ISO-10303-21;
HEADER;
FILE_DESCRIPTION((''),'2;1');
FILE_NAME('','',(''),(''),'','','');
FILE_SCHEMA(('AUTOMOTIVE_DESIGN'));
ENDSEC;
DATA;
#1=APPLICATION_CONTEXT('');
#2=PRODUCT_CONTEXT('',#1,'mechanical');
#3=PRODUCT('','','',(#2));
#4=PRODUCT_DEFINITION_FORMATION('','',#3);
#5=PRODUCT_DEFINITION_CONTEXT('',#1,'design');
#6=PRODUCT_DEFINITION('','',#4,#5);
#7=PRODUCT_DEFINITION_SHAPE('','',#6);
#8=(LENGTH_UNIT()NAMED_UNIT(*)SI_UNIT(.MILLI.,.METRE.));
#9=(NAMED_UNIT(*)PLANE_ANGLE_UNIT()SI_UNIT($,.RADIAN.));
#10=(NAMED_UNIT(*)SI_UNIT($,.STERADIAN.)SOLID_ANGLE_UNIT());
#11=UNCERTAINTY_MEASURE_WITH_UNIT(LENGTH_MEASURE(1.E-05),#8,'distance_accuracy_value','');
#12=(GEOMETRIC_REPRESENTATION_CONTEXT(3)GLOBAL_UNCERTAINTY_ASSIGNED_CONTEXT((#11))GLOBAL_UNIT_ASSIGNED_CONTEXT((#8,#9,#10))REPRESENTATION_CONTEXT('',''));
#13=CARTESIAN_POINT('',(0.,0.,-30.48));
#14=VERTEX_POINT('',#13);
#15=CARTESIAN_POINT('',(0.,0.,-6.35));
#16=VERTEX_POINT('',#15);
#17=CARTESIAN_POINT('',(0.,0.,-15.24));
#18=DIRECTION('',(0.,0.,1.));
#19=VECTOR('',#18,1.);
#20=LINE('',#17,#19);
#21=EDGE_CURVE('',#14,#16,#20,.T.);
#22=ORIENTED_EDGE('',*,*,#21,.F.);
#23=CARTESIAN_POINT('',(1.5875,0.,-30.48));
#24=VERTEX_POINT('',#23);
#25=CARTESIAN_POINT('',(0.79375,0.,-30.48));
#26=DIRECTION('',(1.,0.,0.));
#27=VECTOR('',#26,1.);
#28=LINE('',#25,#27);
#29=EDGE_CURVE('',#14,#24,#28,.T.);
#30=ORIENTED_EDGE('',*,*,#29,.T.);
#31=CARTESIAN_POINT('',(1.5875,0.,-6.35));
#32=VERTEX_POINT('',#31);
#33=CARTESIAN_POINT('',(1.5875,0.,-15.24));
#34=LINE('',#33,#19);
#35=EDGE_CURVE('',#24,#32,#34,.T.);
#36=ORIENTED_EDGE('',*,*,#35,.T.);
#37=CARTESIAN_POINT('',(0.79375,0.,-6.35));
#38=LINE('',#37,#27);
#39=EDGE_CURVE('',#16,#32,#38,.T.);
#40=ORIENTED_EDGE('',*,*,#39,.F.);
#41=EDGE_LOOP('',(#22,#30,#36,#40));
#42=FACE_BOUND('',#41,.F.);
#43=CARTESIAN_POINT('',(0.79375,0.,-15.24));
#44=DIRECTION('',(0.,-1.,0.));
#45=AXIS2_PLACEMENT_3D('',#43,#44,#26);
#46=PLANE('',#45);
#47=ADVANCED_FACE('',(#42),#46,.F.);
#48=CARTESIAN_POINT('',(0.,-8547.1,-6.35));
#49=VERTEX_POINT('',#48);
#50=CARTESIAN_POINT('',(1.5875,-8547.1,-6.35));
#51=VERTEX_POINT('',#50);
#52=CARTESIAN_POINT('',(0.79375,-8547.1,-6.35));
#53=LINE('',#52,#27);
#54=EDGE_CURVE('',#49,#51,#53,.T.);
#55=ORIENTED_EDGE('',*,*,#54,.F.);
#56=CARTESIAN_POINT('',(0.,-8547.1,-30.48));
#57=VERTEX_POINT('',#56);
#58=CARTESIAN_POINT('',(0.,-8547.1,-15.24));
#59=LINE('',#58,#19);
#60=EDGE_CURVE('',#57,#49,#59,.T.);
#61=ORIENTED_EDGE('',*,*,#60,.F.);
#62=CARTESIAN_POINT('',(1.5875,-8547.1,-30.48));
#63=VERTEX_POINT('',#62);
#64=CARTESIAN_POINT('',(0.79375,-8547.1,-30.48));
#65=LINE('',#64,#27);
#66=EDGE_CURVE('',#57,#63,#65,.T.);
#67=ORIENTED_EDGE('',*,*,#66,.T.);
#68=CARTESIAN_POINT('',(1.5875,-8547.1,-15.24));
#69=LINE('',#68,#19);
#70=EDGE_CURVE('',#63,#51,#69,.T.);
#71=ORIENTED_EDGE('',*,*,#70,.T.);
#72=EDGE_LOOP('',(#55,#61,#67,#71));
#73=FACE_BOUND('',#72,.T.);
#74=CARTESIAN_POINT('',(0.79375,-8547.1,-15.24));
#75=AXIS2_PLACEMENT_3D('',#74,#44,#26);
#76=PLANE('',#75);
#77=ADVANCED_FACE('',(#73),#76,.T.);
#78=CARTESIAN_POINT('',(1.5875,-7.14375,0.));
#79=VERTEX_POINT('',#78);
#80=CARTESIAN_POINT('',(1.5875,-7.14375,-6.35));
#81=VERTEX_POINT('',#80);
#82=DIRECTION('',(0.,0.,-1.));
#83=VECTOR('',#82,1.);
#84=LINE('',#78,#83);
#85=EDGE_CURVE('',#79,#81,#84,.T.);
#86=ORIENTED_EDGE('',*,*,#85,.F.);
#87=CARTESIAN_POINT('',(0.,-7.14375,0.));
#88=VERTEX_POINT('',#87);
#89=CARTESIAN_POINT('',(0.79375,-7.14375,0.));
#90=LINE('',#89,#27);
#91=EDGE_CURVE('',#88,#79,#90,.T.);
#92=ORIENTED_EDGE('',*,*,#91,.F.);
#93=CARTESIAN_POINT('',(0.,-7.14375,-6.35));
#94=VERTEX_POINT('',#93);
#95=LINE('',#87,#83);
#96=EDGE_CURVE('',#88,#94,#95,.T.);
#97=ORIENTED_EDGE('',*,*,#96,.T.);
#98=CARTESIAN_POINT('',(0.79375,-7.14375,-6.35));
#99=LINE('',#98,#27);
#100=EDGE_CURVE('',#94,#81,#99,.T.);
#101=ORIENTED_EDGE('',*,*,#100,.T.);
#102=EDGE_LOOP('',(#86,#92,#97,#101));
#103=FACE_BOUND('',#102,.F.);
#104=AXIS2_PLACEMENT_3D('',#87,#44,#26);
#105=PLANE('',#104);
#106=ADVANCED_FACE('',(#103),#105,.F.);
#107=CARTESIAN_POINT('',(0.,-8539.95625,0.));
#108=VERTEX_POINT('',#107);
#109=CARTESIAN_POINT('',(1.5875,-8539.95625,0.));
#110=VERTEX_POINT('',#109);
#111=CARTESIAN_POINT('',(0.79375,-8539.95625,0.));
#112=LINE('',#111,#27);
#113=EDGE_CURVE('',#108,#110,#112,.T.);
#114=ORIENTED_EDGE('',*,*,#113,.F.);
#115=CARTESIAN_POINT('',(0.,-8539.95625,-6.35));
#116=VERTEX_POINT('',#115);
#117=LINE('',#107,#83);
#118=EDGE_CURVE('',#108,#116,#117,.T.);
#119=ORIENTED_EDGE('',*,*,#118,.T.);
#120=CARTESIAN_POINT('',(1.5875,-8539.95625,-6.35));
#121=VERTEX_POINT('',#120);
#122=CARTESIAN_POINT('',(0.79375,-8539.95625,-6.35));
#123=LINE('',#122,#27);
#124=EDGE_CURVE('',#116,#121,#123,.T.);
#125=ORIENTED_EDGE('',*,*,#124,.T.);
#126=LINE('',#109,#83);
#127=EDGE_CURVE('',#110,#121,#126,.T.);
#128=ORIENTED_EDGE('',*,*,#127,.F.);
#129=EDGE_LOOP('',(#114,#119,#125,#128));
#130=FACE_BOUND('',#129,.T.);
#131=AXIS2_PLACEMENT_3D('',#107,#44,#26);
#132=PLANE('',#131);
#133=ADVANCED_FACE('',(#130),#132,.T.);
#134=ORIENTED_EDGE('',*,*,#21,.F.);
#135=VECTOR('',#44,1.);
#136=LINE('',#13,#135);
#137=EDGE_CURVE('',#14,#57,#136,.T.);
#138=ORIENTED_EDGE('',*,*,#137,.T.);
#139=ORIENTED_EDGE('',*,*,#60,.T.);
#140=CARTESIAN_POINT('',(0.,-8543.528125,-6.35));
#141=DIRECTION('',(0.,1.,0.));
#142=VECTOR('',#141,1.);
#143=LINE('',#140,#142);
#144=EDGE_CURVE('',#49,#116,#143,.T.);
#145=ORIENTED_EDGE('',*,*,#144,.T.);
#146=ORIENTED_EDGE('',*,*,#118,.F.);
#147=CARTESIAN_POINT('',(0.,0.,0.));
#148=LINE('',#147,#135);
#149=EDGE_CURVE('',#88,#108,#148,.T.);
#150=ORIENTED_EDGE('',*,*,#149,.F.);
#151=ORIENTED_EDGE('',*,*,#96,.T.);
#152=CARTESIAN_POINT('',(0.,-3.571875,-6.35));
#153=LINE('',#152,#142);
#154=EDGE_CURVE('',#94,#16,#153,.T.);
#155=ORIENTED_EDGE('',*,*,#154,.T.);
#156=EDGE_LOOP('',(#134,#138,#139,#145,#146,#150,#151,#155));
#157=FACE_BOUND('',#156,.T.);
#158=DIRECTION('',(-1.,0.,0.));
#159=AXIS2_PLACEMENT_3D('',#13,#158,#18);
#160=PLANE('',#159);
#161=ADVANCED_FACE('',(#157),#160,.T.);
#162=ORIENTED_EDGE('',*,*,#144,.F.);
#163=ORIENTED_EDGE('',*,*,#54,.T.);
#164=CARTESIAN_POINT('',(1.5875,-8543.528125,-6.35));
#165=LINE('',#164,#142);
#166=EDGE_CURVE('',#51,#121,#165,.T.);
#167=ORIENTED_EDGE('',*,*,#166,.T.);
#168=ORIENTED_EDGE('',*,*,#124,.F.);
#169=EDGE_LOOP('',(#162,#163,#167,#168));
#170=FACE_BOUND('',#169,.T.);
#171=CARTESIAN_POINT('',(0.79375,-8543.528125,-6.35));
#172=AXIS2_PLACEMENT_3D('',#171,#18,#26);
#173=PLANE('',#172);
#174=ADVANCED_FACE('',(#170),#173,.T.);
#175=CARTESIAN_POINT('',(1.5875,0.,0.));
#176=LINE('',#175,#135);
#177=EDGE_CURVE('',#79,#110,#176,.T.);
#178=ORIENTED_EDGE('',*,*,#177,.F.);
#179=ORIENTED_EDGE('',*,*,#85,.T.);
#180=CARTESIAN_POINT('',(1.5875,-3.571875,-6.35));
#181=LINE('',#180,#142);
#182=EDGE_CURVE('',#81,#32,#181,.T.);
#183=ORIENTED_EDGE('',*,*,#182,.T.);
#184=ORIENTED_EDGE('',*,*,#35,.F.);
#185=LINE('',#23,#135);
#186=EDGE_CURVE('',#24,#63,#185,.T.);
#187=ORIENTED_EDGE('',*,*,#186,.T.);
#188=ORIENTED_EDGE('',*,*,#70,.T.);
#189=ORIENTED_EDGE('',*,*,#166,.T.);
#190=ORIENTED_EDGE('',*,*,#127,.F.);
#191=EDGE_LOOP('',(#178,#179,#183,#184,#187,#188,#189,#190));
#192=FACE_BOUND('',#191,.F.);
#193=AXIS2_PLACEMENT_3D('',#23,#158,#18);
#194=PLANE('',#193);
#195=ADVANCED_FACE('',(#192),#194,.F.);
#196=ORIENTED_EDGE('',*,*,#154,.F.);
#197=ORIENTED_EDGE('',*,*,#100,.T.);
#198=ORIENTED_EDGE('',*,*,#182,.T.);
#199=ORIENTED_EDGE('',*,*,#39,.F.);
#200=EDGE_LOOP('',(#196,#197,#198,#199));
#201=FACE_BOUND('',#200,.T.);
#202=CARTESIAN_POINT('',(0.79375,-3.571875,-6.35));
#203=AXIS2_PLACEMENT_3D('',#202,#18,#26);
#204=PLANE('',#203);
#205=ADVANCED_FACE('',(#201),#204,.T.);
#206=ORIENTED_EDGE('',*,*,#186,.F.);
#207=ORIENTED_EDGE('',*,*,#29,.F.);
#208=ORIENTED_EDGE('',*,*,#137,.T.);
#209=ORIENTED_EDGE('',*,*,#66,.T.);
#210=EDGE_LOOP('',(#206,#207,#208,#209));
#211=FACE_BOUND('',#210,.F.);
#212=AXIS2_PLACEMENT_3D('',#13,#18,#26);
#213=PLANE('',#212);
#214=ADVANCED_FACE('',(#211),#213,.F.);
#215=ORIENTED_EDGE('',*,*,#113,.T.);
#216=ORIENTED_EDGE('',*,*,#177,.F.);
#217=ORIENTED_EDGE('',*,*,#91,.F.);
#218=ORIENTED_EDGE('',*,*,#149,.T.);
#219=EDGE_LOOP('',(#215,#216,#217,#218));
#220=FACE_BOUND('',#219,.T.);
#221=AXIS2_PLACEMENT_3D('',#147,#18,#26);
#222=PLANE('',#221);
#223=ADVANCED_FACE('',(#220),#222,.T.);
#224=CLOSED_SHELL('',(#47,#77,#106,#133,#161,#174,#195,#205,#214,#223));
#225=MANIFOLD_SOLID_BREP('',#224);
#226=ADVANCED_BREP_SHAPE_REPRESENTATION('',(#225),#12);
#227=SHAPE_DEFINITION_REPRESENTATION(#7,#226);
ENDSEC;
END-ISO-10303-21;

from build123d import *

# Parameters (mm, degrees)
F0_W     = 1.5875
F0_H     = 30.48
F1_DEPTH = 8547.1
F2_W     = 1.5875
F2_H     = 7.14375
F3_DEPTH = 6.35


with BuildPart() as f1:
    # F0 (on Front) → F1 (new body)
    with BuildSketch(Plane.XZ):
        with Locations((0.79375, -15.24)):
            Rectangle(F0_W, F0_H)
    extrude(amount=F1_DEPTH)

    # F2 (on face) → F3 (cut)
    with BuildSketch(Plane.XY):
        with Locations((0.79375, -8543.528125)):
            Rectangle(F2_W, F2_H)
        with Locations((0.79375, -3.571875)):
            Rectangle(F2_W, F2_H)
    extrude(amount=-F3_DEPTH, mode=Mode.SUBTRACT)


solid = f1.part
